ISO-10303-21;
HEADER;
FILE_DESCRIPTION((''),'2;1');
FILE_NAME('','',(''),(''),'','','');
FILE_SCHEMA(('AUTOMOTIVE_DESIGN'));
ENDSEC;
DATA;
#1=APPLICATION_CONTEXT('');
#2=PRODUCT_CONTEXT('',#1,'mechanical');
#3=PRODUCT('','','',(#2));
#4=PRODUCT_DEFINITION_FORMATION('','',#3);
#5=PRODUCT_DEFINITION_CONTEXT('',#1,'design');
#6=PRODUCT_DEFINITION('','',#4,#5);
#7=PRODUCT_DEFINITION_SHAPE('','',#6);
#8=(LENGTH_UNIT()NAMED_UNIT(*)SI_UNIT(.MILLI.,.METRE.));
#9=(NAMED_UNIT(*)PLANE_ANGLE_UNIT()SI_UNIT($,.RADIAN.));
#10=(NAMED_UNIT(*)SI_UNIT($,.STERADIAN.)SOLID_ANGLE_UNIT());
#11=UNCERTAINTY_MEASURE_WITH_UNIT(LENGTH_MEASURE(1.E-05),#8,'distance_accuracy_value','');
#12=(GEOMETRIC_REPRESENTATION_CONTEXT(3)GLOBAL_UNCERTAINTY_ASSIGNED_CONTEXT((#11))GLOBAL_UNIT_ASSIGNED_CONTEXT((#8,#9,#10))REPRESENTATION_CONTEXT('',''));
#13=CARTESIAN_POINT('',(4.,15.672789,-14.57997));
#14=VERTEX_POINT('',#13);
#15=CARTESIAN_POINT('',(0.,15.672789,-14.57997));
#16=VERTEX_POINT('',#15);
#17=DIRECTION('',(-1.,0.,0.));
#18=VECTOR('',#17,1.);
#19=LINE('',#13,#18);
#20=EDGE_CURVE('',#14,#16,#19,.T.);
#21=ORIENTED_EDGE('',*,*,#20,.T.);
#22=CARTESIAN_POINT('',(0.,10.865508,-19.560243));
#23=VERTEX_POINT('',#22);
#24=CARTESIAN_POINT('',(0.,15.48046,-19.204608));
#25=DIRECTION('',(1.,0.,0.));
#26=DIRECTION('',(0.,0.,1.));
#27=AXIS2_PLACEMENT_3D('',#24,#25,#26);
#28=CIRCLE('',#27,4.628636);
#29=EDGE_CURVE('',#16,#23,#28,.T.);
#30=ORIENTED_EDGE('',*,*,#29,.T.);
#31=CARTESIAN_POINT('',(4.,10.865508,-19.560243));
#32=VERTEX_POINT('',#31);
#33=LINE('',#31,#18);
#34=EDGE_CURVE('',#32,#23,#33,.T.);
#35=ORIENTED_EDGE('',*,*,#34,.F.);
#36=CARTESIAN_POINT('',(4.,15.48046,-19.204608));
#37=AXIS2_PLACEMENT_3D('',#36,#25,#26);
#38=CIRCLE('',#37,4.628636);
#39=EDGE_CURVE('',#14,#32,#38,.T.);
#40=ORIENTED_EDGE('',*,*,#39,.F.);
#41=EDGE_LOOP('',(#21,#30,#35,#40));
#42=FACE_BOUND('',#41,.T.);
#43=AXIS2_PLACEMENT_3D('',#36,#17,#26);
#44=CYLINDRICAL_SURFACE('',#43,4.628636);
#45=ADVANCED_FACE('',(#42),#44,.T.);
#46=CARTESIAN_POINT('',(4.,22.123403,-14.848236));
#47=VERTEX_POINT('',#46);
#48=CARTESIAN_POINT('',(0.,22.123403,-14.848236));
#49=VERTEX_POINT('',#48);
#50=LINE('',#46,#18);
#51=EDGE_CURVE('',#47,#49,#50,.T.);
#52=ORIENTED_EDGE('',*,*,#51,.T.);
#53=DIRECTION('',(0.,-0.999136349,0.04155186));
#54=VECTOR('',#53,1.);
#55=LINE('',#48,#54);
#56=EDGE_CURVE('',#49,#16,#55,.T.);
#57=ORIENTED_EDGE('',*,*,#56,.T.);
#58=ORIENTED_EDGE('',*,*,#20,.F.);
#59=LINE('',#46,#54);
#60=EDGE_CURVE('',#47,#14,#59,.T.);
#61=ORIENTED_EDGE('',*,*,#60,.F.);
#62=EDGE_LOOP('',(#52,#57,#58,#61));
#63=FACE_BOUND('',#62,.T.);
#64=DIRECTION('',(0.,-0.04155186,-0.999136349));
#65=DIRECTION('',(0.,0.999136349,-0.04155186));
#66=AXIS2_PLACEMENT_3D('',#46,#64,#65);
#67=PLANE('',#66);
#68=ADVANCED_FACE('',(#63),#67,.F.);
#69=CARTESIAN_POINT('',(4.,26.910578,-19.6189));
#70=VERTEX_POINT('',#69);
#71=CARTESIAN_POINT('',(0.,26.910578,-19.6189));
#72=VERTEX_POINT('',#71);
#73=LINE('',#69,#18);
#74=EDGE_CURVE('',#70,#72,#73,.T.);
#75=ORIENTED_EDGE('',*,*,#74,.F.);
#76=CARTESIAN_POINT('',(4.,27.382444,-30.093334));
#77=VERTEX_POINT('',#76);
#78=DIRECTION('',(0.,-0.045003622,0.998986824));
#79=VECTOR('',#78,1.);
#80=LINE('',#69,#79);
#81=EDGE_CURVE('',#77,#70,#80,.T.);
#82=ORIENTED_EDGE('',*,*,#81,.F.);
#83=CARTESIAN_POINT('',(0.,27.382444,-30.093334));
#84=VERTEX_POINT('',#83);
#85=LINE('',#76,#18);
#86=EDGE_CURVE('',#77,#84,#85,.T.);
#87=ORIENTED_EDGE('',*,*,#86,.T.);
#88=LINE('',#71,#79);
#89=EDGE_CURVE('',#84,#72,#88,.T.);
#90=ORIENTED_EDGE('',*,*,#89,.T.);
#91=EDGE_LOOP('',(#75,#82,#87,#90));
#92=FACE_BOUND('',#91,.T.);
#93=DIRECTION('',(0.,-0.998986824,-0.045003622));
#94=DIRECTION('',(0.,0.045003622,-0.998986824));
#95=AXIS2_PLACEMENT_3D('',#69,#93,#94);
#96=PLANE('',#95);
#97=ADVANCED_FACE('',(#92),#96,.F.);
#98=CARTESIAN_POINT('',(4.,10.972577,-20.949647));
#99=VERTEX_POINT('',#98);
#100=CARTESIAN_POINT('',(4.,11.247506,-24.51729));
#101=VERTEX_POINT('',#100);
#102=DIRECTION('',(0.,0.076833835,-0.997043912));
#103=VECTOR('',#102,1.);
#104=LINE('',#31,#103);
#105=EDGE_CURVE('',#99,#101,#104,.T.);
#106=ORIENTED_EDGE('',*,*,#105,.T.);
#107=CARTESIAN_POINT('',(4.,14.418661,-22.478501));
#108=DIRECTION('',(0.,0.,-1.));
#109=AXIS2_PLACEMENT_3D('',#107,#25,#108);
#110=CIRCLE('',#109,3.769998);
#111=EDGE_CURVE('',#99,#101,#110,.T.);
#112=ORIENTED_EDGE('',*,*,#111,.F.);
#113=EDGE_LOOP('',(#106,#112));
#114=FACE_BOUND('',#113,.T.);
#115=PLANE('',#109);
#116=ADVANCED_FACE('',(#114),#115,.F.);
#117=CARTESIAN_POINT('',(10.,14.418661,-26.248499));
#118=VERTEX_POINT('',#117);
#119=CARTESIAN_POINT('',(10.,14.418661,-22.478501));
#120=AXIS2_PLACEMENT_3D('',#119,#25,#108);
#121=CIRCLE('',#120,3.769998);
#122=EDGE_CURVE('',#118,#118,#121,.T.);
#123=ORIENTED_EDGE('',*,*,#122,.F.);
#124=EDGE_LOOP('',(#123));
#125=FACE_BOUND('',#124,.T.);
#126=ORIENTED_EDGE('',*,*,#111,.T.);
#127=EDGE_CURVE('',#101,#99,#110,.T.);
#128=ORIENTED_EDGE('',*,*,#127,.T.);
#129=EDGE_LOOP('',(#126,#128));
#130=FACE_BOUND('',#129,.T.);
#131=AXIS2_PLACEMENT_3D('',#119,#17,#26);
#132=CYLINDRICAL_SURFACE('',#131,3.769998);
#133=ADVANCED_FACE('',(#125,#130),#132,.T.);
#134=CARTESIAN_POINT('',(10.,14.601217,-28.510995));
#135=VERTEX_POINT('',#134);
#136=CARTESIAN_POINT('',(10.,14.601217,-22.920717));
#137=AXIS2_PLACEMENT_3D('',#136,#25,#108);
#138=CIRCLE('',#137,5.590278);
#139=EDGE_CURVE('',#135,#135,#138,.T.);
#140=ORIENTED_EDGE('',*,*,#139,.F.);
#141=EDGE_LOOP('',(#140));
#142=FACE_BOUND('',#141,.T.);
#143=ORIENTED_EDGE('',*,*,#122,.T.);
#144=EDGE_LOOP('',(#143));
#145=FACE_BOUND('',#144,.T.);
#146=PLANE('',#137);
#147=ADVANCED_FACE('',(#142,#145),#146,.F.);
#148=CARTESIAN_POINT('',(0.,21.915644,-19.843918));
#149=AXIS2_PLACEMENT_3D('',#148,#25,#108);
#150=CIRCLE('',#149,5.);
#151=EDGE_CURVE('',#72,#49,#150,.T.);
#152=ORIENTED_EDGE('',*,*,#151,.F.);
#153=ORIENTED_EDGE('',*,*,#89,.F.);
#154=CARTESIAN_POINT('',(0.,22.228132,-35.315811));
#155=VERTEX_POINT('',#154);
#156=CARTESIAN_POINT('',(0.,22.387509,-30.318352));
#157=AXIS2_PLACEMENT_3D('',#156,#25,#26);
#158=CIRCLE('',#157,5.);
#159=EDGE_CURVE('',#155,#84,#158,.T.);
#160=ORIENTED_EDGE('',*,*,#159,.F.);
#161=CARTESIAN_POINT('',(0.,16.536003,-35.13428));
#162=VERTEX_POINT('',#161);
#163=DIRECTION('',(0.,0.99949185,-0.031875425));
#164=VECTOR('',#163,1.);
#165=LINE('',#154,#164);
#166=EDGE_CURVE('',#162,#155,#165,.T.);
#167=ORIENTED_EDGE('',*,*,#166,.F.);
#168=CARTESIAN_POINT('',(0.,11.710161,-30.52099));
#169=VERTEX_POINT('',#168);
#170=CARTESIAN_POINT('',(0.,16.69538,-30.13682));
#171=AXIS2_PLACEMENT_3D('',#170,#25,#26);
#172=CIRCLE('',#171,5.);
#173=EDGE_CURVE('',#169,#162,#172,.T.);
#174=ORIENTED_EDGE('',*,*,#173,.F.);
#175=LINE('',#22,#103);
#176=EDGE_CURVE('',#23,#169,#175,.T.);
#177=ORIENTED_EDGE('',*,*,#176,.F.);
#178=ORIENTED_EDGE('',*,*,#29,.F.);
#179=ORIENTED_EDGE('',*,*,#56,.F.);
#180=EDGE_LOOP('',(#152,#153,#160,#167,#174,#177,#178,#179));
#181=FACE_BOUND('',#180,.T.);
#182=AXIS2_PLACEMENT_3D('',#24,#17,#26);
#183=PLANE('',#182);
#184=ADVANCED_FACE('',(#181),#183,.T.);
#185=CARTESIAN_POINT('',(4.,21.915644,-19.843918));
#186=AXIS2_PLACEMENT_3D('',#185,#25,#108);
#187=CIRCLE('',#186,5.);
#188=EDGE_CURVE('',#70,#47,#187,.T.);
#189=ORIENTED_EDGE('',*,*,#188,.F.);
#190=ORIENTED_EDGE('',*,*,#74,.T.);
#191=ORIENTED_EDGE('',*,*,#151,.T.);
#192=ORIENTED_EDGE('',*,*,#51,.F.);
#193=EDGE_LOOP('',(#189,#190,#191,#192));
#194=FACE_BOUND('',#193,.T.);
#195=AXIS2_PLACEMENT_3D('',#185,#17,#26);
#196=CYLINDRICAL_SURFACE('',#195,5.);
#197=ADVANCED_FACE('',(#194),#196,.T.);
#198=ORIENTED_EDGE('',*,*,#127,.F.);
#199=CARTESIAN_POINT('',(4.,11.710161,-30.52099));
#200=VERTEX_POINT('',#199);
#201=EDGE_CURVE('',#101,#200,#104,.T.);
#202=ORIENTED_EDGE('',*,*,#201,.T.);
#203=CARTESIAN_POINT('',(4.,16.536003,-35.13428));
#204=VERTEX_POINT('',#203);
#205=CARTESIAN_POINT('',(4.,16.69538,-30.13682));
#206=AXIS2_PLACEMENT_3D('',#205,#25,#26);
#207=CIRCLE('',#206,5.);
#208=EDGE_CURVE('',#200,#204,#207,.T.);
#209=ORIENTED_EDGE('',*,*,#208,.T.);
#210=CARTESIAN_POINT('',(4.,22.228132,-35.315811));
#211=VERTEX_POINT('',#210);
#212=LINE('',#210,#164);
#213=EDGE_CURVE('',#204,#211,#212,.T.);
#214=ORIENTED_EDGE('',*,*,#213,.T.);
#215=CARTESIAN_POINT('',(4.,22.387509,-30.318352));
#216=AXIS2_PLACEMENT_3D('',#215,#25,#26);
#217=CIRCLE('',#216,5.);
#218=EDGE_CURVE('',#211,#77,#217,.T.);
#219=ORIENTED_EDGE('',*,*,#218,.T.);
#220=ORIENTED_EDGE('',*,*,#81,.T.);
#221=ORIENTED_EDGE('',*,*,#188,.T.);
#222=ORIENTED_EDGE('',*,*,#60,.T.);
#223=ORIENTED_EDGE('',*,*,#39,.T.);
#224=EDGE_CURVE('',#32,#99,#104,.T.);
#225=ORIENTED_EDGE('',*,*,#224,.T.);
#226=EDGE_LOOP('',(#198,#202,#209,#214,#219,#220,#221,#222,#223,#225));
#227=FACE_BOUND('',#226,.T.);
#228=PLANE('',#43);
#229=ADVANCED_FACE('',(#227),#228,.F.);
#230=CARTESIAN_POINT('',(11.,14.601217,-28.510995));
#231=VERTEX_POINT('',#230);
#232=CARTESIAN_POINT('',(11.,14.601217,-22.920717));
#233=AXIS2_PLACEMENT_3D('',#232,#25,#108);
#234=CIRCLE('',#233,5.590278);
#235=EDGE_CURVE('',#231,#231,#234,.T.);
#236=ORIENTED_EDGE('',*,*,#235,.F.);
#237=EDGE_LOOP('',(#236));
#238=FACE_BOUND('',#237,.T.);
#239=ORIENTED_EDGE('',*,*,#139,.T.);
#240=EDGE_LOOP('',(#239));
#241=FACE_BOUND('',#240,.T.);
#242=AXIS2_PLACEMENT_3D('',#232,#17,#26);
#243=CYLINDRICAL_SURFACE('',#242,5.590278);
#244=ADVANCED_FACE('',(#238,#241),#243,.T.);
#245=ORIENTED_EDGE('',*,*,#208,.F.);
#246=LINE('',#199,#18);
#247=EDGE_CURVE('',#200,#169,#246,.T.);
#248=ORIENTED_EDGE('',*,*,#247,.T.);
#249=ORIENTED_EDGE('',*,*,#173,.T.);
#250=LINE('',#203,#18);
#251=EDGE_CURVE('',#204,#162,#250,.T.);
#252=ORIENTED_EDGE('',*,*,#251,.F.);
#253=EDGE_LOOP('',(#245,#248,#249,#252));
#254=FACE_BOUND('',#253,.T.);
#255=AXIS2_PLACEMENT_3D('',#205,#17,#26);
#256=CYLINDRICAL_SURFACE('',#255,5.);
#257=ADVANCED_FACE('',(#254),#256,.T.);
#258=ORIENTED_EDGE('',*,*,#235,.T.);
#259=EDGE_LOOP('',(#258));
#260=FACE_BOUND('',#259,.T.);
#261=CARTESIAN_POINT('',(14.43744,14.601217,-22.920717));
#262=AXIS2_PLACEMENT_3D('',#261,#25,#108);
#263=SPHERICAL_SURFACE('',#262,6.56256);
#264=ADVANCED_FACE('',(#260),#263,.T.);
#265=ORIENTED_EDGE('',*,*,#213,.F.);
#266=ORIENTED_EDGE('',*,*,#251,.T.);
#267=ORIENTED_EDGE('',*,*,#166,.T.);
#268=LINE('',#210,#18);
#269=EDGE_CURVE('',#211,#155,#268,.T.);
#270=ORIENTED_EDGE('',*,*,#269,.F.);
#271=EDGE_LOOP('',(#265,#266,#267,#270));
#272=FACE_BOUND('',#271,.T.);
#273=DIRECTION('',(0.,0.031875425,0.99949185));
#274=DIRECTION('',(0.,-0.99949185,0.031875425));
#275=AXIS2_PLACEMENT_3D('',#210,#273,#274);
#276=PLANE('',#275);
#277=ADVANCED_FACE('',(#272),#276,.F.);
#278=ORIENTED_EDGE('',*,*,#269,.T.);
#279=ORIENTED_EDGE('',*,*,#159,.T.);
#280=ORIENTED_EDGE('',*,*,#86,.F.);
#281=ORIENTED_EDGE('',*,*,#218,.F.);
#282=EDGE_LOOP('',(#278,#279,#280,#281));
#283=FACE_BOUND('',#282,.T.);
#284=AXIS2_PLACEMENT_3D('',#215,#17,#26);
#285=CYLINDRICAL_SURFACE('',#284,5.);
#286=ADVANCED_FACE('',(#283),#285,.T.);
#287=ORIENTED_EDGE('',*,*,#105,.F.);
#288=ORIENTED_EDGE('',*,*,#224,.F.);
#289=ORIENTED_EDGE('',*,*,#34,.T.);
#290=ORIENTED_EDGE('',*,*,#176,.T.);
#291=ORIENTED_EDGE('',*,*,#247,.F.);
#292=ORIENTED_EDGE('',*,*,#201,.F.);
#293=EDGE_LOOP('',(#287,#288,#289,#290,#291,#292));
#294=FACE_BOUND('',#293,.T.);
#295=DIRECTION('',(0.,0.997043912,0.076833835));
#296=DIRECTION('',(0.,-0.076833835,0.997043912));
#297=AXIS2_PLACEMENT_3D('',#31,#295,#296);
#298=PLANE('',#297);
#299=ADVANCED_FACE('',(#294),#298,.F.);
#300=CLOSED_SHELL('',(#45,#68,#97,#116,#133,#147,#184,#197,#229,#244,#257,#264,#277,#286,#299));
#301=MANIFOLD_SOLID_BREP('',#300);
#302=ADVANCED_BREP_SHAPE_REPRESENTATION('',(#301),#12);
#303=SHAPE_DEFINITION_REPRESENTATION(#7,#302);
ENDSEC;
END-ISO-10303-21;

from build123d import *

# Parameters (mm, degrees)
BOSS_EXTRUDE1_DEPTH = 4
SKETCH2_R           = 3.769998475
BOSS_EXTRUDE3_DEPTH = 6
SKETCH3_R           = 5.590277894
BOSS_EXTRUDE4_DEPTH = 1
DOME2_FACE_RADIUS   = 5.590277894
DOME2_HEIGHT        = 10


with BuildPart() as part:
    # Sketch1 → Boss-Extrude1 (new body)
    with BuildSketch(Plane(origin=(0, 0, 0), x_dir=(0, 0, -1), z_dir=(1, 0, 0))):
        with BuildLine():
            Line((19.618899977, 26.910578021), (30.093333643, 27.382443553))
            ThreePointArc((30.093333643, 27.382443553), (33.830584617, 25.946191816), (35.315810998, 22.228132309))
            Line((35.315810998, 22.228132309), (35.134279712, 16.536003005))
            ThreePointArc((35.134279712, 16.536003005), (33.751052045, 13.24033598), (30.52098964, 11.710160572))
            Line((30.52098964, 11.710160572), (19.560243471, 10.86550754))
            ThreePointArc((19.560243471, 10.86550754), (15.990018512, 12.15019262), (14.579969631, 15.672788846))
            Line((14.579969631, 15.672788846), (14.848236342, 22.1234032))
            ThreePointArc((14.848236342, 22.1234032), (16.302281821, 25.445064899), (19.618899977, 26.910578021))
        make_face()
    extrude(amount=BOSS_EXTRUDE1_DEPTH)

    # Sketch2 → Boss-Extrude3 (add)
    with BuildSketch(Plane(origin=(4, 0, 0), x_dir=(0, 0, -1), z_dir=(1, 0, 0))):
        with Locations(Location((22.478500698, 14.418661265, 0), (0, 0, 246.075553506))):
            Circle(SKETCH2_R)
    extrude(amount=BOSS_EXTRUDE3_DEPTH)

    # Sketch3 → Boss-Extrude4 (add)
    with BuildSketch(Plane(origin=(10, 0, 0), x_dir=(0, 0, -1), z_dir=(1, 0, 0))):
        with Locations((22.920717482, 14.60121679)):
            Circle(SKETCH3_R)
    extrude(amount=BOSS_EXTRUDE4_DEPTH)

    # Dome2: a dome of height H over a round flat face of radius A is a cap of a sphere of radius (A * A + H * H) / (2 * H)
    dome2_r = (DOME2_FACE_RADIUS * DOME2_FACE_RADIUS + DOME2_HEIGHT * DOME2_HEIGHT) / (2 * DOME2_HEIGHT)
    dome2_base = Plane((11, 14.60121679, -22.920717482), z_dir=(1, 0, 0))
    with Locations(dome2_base.offset(DOME2_HEIGHT - dome2_r)):
        dome2_ball = Sphere(dome2_r, mode=Mode.PRIVATE)
    add(split(dome2_ball, bisect_by=dome2_base, keep=Keep.TOP, mode=Mode.PRIVATE))


solid = part.part
